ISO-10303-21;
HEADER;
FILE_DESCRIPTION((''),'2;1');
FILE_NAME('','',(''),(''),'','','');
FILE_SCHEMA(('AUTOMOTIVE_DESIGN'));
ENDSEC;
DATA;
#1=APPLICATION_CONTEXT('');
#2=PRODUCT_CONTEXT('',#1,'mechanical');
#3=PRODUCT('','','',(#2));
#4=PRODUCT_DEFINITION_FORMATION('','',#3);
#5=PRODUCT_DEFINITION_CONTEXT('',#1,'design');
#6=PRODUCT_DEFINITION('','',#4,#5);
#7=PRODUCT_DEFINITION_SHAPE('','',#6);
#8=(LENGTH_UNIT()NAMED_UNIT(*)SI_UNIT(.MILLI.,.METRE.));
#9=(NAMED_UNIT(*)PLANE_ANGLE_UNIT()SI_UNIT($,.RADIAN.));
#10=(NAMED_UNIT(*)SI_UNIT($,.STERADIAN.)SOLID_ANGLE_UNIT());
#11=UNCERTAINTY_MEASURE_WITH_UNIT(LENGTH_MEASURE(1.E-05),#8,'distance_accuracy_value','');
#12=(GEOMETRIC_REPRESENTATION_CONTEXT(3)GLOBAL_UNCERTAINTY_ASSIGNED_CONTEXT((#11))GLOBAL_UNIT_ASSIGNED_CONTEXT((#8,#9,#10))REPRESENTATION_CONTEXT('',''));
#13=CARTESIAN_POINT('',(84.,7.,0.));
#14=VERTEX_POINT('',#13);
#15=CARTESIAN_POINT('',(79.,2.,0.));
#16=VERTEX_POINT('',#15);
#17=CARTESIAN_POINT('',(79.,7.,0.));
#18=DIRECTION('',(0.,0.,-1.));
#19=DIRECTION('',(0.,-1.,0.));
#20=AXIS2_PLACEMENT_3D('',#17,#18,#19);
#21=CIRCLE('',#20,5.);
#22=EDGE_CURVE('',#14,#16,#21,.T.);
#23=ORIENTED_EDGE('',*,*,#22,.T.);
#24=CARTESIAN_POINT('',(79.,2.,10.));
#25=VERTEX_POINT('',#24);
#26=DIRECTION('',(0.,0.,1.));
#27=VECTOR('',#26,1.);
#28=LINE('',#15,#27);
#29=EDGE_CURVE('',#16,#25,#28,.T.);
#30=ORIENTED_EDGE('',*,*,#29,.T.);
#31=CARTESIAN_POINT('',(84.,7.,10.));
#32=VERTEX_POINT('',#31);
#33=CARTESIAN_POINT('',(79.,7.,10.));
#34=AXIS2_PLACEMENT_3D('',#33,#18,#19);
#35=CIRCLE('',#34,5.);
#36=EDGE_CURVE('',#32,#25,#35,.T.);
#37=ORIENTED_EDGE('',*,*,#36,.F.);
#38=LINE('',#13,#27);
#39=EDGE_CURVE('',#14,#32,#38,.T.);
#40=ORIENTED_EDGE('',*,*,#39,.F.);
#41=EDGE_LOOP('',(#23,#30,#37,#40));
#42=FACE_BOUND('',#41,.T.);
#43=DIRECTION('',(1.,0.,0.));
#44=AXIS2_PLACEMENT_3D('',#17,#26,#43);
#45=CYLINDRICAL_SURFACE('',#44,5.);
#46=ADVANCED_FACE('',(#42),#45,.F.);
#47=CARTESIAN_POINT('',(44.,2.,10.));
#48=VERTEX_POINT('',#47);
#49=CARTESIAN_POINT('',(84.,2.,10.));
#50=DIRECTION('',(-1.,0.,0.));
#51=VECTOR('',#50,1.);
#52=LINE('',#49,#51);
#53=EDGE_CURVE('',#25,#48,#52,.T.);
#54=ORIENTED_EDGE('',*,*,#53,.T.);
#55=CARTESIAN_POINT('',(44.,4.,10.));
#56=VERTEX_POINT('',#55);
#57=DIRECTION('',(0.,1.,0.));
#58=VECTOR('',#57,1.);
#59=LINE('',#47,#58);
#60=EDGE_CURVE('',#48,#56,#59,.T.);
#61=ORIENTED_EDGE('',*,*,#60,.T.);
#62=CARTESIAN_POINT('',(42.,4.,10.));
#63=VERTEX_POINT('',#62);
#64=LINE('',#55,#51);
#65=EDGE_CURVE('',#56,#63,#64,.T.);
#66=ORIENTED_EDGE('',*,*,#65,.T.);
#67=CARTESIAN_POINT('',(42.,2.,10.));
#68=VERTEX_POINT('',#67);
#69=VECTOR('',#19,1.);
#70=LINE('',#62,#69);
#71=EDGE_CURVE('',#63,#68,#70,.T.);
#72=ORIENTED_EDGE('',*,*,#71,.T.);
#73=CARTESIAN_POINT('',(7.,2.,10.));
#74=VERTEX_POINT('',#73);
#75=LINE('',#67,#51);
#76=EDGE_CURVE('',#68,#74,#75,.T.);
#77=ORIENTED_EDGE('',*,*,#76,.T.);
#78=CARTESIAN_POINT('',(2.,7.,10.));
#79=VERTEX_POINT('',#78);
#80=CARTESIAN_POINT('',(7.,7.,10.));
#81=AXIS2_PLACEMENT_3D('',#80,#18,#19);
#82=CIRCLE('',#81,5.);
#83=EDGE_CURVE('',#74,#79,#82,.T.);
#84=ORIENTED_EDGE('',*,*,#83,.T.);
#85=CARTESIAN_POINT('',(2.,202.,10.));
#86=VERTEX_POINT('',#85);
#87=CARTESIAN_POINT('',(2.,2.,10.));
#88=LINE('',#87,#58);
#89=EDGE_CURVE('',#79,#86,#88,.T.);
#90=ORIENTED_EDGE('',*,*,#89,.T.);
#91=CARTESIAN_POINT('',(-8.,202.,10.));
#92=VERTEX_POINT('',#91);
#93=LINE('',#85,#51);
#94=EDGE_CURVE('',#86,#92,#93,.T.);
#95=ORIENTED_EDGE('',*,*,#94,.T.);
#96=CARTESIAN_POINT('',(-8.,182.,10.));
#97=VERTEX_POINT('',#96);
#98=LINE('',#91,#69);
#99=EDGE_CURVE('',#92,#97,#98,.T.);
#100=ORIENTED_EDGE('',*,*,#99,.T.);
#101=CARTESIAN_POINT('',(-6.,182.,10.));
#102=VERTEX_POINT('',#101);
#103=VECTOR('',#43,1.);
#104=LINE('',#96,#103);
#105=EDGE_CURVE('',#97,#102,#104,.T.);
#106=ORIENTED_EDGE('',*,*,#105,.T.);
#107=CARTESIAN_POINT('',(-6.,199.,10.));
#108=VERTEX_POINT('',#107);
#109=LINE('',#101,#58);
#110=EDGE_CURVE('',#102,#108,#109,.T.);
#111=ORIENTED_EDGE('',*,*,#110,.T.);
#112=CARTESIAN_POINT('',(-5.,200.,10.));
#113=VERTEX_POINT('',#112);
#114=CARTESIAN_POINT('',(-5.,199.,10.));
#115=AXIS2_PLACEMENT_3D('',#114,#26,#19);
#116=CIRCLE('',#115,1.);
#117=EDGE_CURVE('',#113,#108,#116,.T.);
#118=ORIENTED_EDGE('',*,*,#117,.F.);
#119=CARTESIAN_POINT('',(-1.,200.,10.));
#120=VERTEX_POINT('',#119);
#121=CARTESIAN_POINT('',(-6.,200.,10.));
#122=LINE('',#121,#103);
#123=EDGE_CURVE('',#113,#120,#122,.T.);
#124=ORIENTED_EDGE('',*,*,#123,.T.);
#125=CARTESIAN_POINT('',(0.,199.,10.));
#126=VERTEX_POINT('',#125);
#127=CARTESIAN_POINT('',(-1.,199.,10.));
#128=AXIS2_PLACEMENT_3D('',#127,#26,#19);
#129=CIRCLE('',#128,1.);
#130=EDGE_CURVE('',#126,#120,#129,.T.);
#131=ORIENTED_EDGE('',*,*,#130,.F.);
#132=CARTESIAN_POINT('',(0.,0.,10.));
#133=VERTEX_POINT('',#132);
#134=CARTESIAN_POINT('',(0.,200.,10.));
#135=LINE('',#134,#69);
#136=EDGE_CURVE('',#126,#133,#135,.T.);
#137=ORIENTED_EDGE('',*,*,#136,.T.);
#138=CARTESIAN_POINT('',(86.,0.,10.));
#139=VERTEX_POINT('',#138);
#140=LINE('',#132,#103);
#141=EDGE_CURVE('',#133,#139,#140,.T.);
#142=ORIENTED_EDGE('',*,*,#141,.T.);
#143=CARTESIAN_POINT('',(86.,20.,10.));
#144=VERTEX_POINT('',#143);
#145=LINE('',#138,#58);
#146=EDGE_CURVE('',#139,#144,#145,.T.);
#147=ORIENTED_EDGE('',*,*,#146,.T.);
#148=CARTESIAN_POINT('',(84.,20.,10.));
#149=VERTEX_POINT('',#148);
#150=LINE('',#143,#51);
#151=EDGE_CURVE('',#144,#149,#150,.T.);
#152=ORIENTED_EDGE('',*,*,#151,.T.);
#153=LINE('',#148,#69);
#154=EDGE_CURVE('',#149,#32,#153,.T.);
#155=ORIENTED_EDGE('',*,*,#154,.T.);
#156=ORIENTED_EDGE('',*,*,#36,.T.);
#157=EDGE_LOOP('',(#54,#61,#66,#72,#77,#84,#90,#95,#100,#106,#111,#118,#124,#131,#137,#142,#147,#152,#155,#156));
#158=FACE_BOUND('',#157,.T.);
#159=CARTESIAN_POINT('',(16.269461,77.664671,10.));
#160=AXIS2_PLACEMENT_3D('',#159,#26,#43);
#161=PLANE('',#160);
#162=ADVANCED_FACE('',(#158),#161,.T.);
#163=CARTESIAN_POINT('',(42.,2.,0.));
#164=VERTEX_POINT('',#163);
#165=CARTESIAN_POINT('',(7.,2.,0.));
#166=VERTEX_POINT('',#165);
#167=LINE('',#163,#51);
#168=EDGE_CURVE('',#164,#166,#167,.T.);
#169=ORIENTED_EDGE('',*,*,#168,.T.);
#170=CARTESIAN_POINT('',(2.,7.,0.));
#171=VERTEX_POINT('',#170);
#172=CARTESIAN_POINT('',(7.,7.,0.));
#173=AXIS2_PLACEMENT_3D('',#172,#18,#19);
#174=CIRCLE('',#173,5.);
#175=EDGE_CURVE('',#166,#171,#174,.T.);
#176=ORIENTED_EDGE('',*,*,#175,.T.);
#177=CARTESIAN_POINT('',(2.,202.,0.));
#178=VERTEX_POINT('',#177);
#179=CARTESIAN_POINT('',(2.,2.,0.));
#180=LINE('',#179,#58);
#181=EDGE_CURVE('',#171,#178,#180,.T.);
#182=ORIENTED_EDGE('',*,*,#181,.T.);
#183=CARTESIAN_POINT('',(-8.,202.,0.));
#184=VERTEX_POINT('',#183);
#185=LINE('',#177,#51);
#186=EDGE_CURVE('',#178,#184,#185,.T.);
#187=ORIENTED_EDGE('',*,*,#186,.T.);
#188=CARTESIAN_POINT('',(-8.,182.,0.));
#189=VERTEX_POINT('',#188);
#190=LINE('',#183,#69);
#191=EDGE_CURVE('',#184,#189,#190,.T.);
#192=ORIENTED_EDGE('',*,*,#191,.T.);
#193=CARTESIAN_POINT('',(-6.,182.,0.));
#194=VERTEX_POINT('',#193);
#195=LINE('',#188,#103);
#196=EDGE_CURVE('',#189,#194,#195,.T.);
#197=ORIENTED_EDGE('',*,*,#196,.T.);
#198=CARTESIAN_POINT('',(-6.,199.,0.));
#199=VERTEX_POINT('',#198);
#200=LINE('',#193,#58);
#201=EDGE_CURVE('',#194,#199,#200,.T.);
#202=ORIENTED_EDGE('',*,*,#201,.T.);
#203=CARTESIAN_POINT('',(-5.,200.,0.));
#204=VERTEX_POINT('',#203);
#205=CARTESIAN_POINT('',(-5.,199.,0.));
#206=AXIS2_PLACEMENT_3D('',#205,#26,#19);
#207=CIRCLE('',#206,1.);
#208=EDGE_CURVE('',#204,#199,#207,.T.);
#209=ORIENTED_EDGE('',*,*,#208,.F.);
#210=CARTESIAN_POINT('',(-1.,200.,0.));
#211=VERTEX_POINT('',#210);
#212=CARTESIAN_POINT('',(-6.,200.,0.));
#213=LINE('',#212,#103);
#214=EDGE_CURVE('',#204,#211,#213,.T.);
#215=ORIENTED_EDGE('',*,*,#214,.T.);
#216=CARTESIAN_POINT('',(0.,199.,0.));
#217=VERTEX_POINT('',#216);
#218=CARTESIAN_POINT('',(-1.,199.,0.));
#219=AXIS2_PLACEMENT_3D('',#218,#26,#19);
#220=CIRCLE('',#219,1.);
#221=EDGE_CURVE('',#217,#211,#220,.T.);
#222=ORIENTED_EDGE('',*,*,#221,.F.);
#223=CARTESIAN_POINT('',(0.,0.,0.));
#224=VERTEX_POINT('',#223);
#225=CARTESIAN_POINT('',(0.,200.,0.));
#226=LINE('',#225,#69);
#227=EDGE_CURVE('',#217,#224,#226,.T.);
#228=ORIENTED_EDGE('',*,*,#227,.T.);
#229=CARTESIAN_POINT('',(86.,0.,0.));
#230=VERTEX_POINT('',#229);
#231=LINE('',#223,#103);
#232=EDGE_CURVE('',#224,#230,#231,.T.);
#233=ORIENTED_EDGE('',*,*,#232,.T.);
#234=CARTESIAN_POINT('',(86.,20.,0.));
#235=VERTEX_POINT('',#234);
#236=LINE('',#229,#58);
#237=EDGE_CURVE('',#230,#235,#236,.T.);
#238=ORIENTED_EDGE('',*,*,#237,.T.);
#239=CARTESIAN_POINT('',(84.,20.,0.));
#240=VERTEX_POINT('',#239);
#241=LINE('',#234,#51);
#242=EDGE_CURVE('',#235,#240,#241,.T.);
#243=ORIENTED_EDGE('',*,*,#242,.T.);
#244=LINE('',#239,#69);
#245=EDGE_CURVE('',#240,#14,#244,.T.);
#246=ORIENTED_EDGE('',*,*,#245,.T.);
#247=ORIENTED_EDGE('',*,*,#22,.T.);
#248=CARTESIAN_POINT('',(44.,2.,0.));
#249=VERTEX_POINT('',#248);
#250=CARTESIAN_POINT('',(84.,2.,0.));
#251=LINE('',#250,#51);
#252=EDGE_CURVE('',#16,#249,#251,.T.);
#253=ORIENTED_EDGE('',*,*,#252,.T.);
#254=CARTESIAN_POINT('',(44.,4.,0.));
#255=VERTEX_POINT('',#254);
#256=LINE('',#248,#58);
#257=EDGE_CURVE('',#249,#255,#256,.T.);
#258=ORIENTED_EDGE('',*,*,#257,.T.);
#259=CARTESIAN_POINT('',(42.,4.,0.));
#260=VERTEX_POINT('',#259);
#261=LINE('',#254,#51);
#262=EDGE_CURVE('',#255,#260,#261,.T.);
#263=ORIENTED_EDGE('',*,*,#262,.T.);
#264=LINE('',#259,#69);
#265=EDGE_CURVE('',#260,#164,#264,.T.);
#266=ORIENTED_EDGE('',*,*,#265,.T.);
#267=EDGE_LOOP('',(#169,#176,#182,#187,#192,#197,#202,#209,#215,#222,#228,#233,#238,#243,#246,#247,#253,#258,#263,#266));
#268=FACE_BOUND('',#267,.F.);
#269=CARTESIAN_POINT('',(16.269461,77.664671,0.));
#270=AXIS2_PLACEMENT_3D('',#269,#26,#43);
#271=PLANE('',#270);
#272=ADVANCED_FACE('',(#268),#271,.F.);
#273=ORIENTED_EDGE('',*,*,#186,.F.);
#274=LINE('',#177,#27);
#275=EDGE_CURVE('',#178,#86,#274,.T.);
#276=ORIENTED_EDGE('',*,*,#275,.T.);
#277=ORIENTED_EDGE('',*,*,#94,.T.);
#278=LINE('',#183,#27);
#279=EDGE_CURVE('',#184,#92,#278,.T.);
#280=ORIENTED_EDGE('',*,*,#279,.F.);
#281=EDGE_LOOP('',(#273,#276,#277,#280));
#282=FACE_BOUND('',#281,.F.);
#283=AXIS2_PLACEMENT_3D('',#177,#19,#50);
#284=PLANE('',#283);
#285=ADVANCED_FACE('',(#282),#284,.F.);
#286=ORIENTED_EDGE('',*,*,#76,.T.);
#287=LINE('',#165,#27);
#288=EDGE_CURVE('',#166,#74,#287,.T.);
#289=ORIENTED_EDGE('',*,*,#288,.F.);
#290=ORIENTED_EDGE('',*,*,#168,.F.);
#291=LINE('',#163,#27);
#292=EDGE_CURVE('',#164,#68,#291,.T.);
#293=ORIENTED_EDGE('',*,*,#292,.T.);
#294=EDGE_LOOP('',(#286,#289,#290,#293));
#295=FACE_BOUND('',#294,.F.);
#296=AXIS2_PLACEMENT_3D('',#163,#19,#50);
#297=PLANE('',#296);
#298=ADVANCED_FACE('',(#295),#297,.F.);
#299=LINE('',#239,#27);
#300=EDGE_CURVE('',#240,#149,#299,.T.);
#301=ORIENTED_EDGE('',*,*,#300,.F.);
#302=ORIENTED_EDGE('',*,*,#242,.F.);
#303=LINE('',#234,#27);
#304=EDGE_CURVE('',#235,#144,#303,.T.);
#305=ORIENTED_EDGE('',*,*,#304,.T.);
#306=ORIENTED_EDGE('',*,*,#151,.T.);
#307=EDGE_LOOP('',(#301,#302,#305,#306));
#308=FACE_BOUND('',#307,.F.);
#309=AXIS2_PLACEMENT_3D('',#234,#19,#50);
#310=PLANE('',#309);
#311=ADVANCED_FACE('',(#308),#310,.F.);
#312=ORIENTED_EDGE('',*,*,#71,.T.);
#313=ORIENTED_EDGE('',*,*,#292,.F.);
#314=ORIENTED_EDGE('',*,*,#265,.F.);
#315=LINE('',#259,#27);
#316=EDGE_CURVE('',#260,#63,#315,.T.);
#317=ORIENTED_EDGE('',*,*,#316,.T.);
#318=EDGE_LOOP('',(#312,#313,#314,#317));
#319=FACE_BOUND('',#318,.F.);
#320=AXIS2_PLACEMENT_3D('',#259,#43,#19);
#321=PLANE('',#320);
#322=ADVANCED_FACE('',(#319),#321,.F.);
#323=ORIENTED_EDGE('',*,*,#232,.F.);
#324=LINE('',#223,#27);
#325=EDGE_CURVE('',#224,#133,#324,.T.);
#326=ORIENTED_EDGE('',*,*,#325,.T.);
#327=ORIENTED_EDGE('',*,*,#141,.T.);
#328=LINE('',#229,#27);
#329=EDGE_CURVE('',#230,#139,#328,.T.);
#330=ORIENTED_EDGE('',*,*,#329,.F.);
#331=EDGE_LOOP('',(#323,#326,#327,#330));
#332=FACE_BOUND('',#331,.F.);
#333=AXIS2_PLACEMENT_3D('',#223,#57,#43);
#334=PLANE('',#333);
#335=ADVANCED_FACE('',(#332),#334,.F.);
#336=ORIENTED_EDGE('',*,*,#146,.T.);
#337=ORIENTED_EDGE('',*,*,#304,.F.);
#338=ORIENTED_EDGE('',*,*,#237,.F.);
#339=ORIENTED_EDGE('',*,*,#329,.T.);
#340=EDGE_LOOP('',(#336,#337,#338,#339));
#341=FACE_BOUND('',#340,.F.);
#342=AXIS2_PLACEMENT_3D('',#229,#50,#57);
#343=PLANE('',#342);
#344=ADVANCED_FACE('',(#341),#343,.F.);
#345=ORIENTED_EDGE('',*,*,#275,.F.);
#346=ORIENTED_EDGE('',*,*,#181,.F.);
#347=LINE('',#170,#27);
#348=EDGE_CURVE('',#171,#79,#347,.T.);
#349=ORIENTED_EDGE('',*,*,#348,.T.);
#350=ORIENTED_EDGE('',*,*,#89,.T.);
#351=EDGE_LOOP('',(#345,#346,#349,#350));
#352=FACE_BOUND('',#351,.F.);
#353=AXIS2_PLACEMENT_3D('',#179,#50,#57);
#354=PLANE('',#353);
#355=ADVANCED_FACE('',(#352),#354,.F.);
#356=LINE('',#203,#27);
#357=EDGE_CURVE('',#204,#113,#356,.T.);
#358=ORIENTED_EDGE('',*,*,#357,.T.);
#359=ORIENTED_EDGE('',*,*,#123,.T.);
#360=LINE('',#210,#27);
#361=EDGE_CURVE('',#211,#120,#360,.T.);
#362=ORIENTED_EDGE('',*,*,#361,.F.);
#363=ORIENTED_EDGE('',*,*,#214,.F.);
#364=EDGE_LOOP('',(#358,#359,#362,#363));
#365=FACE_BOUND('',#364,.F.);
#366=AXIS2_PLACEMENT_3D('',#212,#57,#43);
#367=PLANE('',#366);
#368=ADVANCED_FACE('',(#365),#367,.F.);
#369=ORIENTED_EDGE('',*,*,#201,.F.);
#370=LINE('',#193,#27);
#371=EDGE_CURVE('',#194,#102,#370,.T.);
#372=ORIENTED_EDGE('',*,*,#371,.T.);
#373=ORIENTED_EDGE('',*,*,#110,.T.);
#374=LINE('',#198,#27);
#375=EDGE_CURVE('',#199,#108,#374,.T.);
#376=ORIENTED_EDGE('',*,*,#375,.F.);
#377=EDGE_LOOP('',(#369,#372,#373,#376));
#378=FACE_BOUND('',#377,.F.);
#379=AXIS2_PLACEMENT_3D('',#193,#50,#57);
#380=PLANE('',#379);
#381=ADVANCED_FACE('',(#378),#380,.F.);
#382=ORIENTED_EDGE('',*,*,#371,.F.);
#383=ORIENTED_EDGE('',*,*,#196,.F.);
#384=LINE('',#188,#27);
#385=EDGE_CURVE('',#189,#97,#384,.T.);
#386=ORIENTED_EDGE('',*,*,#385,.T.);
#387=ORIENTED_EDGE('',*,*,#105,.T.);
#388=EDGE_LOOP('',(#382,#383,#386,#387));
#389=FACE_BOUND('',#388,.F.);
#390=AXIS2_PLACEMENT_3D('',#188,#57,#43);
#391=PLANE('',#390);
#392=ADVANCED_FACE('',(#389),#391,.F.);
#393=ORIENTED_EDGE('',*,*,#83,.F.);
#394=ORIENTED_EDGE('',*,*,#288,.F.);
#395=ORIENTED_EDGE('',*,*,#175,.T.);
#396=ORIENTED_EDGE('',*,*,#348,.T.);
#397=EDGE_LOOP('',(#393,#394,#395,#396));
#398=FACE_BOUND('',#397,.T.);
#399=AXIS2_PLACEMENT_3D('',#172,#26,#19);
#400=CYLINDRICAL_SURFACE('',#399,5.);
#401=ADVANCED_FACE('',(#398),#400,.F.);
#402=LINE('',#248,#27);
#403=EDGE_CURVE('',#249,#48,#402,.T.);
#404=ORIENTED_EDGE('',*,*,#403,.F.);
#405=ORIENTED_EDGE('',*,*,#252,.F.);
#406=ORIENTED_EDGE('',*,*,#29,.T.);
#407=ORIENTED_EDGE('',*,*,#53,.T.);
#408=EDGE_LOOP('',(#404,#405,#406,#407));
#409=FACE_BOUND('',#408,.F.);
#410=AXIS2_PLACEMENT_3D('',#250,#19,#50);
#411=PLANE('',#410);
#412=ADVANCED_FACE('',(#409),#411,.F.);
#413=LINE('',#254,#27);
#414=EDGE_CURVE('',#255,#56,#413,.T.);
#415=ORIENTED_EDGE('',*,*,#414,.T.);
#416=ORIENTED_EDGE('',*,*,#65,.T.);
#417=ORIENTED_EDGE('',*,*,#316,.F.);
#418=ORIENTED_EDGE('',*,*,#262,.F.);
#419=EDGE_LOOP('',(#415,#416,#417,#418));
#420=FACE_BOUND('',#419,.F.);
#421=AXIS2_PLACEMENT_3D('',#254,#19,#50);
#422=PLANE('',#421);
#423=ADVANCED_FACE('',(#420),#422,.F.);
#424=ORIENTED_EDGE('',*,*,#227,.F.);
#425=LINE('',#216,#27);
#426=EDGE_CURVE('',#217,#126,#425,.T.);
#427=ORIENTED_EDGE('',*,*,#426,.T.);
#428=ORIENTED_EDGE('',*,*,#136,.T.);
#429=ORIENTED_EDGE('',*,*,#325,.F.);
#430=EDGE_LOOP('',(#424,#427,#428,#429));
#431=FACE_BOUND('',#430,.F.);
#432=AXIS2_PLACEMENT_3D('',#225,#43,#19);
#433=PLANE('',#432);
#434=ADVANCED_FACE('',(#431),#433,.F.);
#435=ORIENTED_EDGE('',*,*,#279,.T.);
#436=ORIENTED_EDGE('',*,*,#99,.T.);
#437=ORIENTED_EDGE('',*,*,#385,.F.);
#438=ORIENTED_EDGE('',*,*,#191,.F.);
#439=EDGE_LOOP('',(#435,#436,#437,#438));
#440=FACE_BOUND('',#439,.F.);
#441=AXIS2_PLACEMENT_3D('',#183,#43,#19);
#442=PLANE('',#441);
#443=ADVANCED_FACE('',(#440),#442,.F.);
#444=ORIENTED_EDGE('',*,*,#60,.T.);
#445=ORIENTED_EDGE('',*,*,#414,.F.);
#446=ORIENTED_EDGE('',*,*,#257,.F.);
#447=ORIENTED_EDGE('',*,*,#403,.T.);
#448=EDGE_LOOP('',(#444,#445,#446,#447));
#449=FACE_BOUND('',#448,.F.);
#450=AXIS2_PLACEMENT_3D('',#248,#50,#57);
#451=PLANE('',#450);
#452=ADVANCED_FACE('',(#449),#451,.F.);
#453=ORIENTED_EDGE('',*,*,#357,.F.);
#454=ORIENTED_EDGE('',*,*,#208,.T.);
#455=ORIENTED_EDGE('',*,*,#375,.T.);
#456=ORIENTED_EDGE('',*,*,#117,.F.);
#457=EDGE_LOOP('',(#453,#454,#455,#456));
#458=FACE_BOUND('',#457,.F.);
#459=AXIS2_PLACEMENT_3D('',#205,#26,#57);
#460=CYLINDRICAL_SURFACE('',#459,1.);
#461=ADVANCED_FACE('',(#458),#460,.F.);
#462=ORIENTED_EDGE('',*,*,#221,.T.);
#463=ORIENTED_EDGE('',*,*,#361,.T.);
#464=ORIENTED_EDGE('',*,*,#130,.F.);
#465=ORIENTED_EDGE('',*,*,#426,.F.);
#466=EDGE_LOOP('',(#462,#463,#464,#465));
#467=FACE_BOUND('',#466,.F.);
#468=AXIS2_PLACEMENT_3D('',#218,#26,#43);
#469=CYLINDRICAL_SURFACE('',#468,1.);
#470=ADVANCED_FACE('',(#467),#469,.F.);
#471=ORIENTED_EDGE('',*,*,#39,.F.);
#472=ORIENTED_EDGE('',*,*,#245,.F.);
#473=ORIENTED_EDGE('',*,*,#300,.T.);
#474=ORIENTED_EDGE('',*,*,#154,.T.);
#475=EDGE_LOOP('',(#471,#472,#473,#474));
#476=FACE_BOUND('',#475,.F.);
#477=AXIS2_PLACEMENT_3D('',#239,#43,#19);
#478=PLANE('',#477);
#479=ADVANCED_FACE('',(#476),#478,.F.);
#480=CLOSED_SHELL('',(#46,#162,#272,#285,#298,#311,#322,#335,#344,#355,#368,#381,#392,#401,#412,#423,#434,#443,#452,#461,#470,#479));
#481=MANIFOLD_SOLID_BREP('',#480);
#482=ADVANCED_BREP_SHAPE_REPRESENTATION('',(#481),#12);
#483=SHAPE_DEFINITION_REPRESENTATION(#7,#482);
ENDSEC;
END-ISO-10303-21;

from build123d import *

# Parameters (mm, degrees)
F1_DEPTH = 10
F2_R     = 5
F3_R     = 1


with BuildPart() as f1:
    # F0 (on Top) → F1 (new body)
    with BuildSketch(Plane.XY):
        Polygon((-8, 182), (-6, 182), (-6, 200), (0, 200), (0, 0), (86, 0), (86, 20), (84, 20), (84, 2), (44, 2), (44, 4), (42, 4), (42, 2), (2, 2), (2, 202), (-8, 202), align=None)
    extrude(amount=F1_DEPTH)

    # F2
    f2_edges = [f1.edges().sort_by_distance(p)[0] for p in [
        (2, 2, 5),
        (84, 2, 5),
    ]]
    fillet(f2_edges, radius=F2_R)

    # F3
    f3_edges = [f1.edges().sort_by_distance(p)[0] for p in [
        (-6, 200, 5),
        (0, 200, 5),
    ]]
    fillet(f3_edges, radius=F3_R)


solid = f1.part
